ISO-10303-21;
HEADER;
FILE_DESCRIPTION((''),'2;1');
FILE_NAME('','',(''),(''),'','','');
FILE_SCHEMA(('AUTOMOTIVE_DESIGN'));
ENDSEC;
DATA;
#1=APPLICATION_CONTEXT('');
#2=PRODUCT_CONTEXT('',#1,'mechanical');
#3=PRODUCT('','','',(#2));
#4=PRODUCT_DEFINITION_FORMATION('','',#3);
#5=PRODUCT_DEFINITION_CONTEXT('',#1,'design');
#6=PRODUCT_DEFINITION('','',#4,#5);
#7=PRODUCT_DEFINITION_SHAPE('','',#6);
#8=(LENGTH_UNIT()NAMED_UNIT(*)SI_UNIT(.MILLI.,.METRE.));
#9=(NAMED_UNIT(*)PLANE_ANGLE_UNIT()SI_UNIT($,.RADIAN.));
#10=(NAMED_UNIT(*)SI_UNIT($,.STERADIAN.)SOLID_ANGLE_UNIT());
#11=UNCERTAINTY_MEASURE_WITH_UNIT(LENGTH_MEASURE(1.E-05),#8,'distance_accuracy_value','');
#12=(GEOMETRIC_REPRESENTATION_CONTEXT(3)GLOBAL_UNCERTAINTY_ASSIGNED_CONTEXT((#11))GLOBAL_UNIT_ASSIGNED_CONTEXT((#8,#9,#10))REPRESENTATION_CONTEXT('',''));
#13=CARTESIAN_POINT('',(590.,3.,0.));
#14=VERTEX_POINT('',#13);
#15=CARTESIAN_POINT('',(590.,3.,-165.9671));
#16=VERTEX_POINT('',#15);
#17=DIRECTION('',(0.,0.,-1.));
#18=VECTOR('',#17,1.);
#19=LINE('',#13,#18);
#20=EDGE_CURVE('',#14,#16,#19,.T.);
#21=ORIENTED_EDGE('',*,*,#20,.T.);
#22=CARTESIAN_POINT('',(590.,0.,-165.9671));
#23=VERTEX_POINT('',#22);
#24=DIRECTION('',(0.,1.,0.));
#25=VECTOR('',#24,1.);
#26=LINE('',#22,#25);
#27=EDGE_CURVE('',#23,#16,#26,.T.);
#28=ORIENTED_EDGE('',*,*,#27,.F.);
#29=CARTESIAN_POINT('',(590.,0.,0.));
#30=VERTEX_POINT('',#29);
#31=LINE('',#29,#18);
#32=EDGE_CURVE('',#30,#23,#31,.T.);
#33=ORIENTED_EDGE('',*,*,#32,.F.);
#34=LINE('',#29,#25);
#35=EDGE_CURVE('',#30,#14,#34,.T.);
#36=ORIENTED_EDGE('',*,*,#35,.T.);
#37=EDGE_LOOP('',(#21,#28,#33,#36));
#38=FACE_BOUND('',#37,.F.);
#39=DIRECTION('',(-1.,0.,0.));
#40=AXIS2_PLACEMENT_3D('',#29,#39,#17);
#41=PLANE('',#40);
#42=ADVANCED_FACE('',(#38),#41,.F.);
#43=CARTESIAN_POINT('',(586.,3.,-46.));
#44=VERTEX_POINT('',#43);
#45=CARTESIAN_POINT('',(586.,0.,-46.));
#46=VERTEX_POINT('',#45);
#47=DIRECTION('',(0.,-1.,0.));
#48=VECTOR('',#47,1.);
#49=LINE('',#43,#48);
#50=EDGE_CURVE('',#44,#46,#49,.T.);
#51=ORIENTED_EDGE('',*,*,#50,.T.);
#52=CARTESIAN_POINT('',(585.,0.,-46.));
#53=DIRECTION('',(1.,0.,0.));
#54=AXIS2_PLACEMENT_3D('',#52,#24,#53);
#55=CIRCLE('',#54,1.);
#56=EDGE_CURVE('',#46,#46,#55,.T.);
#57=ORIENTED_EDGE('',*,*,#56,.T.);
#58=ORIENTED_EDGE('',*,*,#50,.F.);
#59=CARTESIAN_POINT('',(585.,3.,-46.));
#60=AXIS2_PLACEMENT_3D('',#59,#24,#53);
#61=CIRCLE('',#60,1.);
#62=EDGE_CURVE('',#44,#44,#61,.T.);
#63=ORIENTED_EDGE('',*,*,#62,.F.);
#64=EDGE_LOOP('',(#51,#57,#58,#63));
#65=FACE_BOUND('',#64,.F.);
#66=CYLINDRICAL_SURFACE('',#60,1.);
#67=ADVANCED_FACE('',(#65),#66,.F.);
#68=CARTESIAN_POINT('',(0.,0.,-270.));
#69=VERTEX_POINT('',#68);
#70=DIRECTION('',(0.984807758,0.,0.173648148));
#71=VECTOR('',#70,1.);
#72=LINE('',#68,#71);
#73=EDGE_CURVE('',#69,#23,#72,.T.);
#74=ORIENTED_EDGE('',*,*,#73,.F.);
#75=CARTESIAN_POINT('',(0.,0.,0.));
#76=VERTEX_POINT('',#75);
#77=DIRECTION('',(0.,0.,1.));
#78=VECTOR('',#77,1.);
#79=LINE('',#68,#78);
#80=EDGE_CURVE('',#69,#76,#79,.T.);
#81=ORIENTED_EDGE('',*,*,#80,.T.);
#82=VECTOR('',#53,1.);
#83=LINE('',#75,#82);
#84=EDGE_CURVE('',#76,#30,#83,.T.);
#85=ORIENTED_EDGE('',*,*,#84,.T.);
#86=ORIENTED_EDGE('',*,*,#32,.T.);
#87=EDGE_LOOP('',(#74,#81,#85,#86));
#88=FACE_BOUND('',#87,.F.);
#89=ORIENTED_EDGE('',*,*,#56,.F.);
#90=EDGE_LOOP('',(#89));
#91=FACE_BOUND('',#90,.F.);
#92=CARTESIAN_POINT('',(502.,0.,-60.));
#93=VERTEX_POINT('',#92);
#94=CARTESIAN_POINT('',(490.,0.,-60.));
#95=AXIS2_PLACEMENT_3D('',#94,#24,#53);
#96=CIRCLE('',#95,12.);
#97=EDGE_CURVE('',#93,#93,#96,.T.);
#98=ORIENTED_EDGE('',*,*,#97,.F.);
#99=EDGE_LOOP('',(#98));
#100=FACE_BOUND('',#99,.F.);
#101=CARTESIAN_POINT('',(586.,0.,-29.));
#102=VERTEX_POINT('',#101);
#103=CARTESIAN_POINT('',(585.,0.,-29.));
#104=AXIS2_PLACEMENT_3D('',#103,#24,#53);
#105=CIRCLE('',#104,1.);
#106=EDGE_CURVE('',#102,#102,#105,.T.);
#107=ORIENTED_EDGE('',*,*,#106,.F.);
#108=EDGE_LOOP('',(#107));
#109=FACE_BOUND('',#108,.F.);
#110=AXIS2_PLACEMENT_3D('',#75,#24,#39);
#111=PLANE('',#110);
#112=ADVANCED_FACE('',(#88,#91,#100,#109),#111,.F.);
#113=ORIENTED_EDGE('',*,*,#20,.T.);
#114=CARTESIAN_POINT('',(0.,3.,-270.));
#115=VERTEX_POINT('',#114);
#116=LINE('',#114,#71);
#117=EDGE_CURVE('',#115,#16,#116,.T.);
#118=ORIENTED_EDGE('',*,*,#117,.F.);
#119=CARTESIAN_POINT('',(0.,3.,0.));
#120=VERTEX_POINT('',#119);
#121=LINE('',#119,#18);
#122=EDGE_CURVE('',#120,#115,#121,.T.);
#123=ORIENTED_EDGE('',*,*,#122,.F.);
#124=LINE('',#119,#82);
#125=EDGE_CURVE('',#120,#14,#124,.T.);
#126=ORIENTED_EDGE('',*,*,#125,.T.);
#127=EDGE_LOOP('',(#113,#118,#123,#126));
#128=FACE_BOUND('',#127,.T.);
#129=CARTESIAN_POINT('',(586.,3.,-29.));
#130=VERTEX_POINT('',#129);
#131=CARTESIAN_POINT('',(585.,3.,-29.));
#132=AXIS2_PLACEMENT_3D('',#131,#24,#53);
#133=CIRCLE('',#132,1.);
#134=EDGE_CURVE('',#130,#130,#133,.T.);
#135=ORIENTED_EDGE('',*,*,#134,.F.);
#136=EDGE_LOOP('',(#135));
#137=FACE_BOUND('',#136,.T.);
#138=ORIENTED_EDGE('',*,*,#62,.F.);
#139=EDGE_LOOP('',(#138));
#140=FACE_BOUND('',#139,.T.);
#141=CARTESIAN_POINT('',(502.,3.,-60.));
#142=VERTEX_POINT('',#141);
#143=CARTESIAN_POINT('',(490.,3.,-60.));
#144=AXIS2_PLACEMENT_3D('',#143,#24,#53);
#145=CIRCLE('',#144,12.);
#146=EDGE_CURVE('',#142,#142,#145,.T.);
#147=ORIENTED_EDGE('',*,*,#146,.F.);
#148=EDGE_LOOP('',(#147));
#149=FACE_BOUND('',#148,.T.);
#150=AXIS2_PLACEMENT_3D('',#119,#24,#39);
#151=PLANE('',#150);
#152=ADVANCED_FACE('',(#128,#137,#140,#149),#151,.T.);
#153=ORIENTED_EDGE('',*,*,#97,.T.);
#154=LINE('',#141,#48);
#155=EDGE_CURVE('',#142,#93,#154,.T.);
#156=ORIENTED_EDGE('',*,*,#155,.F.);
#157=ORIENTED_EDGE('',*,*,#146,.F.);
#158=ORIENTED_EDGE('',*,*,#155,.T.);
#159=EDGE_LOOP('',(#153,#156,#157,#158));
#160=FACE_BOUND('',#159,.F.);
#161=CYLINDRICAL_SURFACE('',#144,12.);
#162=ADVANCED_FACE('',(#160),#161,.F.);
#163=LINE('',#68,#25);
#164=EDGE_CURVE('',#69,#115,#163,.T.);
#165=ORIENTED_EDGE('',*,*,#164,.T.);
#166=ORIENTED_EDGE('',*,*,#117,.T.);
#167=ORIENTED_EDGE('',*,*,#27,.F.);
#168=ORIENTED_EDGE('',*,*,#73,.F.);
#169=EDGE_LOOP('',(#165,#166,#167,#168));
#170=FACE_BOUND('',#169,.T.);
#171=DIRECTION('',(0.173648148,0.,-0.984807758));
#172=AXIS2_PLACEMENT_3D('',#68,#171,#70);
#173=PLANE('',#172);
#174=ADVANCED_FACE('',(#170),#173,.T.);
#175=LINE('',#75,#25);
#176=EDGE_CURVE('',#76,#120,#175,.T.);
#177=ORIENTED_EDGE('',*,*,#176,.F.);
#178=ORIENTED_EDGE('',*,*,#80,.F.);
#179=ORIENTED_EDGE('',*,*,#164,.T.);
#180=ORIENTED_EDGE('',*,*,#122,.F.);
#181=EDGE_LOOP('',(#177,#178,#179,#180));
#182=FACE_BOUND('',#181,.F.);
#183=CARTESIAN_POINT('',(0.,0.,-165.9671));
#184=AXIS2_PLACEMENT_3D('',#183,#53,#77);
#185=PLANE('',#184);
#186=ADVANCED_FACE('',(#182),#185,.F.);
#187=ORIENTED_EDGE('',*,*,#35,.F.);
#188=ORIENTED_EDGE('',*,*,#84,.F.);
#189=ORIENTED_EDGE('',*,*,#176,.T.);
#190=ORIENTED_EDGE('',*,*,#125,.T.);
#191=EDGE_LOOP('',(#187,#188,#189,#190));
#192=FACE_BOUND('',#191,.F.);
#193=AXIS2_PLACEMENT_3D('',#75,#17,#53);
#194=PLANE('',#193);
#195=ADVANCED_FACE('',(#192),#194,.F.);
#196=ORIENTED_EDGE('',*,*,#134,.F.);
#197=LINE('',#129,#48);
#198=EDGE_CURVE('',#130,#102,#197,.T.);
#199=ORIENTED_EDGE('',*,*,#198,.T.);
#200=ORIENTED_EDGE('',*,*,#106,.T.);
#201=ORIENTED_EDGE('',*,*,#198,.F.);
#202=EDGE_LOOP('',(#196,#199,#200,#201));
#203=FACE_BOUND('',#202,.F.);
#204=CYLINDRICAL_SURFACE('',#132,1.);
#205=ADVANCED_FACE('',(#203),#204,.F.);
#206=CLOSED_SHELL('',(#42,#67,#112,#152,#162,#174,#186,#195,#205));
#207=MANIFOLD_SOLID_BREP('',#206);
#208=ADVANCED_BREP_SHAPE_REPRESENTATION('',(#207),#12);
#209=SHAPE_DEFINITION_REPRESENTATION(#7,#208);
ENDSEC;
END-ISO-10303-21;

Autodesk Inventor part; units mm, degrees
ref_plane "YZ Plane" through (0, 0, 0) normal (1, 0, 0) x (0, 1, 0)
ref_plane "XZ Plane" through (0, 0, 0) normal (0, 1, 0) x (-1, 0, 0)
ref_plane "XY Plane" through (0, 0, 0) normal (0, 0, 1) x (1, 0, 0)
sketch "Sketch1" plane through (0, 0, 0) normal (0, 1, 0) x (-1, 0, 0)
  line L0 (0, 0) -> (-590, 0)
  line L1 (-590, 0) -> (-590, -165.9671)
  line L2 (-590, -165.9671) -> (0, -165.9671)
  line L3 (0, -165.9671) -> (0, 0)
  line L4 (0, -165.9671) -> (0, -270)
  line L5 (0, -270) -> (-590, -165.9671)
  dimension "d0" = 590
  dimension "d28" = 270
  dimension "d29" = 10
extrude "Extrusion1" add sketch "Sketch1" along normal blind 3
sketch "Sketch3" plane through (0, 3, 0) normal (0, 1, 0) x (1, 0, 0)
  circle A0 centre (585, 29) radius 1
  circle A1 centre (585, 46) radius 1
  line L0 (590, 0) -> (590, 165.9671) projected
  line L1 (0, 0) -> (590, 0) projected
  dimension "d15" = 2
  dimension "d16" = 5
  dimension "d17" = 5
  dimension "d18" = 2
  dimension "d19" = 29
  dimension "d20" = 17
extrude "Extrusion3" cut sketch "Sketch3" along normal through all both and the other way through all
sketch "Sketch4" plane through (0, 3, 0) normal (0, 1, 0) x (1, 0, 0)
  circle A0 centre (490, 60) radius 12
  line L0 (0, 0) -> (590, 0) projected
  line L1 (590, 0) -> (590, 165.9671) projected
  dimension "d23" = 24
  dimension "d24" = 60
  dimension "d25" = 100
extrude "Extrusion4" cut sketch "Sketch4" against normal through all
equation "\"d17\" = d16"
equation "\"d18\" = d15"
properties part number "pinball-case-left-wall-outer"
